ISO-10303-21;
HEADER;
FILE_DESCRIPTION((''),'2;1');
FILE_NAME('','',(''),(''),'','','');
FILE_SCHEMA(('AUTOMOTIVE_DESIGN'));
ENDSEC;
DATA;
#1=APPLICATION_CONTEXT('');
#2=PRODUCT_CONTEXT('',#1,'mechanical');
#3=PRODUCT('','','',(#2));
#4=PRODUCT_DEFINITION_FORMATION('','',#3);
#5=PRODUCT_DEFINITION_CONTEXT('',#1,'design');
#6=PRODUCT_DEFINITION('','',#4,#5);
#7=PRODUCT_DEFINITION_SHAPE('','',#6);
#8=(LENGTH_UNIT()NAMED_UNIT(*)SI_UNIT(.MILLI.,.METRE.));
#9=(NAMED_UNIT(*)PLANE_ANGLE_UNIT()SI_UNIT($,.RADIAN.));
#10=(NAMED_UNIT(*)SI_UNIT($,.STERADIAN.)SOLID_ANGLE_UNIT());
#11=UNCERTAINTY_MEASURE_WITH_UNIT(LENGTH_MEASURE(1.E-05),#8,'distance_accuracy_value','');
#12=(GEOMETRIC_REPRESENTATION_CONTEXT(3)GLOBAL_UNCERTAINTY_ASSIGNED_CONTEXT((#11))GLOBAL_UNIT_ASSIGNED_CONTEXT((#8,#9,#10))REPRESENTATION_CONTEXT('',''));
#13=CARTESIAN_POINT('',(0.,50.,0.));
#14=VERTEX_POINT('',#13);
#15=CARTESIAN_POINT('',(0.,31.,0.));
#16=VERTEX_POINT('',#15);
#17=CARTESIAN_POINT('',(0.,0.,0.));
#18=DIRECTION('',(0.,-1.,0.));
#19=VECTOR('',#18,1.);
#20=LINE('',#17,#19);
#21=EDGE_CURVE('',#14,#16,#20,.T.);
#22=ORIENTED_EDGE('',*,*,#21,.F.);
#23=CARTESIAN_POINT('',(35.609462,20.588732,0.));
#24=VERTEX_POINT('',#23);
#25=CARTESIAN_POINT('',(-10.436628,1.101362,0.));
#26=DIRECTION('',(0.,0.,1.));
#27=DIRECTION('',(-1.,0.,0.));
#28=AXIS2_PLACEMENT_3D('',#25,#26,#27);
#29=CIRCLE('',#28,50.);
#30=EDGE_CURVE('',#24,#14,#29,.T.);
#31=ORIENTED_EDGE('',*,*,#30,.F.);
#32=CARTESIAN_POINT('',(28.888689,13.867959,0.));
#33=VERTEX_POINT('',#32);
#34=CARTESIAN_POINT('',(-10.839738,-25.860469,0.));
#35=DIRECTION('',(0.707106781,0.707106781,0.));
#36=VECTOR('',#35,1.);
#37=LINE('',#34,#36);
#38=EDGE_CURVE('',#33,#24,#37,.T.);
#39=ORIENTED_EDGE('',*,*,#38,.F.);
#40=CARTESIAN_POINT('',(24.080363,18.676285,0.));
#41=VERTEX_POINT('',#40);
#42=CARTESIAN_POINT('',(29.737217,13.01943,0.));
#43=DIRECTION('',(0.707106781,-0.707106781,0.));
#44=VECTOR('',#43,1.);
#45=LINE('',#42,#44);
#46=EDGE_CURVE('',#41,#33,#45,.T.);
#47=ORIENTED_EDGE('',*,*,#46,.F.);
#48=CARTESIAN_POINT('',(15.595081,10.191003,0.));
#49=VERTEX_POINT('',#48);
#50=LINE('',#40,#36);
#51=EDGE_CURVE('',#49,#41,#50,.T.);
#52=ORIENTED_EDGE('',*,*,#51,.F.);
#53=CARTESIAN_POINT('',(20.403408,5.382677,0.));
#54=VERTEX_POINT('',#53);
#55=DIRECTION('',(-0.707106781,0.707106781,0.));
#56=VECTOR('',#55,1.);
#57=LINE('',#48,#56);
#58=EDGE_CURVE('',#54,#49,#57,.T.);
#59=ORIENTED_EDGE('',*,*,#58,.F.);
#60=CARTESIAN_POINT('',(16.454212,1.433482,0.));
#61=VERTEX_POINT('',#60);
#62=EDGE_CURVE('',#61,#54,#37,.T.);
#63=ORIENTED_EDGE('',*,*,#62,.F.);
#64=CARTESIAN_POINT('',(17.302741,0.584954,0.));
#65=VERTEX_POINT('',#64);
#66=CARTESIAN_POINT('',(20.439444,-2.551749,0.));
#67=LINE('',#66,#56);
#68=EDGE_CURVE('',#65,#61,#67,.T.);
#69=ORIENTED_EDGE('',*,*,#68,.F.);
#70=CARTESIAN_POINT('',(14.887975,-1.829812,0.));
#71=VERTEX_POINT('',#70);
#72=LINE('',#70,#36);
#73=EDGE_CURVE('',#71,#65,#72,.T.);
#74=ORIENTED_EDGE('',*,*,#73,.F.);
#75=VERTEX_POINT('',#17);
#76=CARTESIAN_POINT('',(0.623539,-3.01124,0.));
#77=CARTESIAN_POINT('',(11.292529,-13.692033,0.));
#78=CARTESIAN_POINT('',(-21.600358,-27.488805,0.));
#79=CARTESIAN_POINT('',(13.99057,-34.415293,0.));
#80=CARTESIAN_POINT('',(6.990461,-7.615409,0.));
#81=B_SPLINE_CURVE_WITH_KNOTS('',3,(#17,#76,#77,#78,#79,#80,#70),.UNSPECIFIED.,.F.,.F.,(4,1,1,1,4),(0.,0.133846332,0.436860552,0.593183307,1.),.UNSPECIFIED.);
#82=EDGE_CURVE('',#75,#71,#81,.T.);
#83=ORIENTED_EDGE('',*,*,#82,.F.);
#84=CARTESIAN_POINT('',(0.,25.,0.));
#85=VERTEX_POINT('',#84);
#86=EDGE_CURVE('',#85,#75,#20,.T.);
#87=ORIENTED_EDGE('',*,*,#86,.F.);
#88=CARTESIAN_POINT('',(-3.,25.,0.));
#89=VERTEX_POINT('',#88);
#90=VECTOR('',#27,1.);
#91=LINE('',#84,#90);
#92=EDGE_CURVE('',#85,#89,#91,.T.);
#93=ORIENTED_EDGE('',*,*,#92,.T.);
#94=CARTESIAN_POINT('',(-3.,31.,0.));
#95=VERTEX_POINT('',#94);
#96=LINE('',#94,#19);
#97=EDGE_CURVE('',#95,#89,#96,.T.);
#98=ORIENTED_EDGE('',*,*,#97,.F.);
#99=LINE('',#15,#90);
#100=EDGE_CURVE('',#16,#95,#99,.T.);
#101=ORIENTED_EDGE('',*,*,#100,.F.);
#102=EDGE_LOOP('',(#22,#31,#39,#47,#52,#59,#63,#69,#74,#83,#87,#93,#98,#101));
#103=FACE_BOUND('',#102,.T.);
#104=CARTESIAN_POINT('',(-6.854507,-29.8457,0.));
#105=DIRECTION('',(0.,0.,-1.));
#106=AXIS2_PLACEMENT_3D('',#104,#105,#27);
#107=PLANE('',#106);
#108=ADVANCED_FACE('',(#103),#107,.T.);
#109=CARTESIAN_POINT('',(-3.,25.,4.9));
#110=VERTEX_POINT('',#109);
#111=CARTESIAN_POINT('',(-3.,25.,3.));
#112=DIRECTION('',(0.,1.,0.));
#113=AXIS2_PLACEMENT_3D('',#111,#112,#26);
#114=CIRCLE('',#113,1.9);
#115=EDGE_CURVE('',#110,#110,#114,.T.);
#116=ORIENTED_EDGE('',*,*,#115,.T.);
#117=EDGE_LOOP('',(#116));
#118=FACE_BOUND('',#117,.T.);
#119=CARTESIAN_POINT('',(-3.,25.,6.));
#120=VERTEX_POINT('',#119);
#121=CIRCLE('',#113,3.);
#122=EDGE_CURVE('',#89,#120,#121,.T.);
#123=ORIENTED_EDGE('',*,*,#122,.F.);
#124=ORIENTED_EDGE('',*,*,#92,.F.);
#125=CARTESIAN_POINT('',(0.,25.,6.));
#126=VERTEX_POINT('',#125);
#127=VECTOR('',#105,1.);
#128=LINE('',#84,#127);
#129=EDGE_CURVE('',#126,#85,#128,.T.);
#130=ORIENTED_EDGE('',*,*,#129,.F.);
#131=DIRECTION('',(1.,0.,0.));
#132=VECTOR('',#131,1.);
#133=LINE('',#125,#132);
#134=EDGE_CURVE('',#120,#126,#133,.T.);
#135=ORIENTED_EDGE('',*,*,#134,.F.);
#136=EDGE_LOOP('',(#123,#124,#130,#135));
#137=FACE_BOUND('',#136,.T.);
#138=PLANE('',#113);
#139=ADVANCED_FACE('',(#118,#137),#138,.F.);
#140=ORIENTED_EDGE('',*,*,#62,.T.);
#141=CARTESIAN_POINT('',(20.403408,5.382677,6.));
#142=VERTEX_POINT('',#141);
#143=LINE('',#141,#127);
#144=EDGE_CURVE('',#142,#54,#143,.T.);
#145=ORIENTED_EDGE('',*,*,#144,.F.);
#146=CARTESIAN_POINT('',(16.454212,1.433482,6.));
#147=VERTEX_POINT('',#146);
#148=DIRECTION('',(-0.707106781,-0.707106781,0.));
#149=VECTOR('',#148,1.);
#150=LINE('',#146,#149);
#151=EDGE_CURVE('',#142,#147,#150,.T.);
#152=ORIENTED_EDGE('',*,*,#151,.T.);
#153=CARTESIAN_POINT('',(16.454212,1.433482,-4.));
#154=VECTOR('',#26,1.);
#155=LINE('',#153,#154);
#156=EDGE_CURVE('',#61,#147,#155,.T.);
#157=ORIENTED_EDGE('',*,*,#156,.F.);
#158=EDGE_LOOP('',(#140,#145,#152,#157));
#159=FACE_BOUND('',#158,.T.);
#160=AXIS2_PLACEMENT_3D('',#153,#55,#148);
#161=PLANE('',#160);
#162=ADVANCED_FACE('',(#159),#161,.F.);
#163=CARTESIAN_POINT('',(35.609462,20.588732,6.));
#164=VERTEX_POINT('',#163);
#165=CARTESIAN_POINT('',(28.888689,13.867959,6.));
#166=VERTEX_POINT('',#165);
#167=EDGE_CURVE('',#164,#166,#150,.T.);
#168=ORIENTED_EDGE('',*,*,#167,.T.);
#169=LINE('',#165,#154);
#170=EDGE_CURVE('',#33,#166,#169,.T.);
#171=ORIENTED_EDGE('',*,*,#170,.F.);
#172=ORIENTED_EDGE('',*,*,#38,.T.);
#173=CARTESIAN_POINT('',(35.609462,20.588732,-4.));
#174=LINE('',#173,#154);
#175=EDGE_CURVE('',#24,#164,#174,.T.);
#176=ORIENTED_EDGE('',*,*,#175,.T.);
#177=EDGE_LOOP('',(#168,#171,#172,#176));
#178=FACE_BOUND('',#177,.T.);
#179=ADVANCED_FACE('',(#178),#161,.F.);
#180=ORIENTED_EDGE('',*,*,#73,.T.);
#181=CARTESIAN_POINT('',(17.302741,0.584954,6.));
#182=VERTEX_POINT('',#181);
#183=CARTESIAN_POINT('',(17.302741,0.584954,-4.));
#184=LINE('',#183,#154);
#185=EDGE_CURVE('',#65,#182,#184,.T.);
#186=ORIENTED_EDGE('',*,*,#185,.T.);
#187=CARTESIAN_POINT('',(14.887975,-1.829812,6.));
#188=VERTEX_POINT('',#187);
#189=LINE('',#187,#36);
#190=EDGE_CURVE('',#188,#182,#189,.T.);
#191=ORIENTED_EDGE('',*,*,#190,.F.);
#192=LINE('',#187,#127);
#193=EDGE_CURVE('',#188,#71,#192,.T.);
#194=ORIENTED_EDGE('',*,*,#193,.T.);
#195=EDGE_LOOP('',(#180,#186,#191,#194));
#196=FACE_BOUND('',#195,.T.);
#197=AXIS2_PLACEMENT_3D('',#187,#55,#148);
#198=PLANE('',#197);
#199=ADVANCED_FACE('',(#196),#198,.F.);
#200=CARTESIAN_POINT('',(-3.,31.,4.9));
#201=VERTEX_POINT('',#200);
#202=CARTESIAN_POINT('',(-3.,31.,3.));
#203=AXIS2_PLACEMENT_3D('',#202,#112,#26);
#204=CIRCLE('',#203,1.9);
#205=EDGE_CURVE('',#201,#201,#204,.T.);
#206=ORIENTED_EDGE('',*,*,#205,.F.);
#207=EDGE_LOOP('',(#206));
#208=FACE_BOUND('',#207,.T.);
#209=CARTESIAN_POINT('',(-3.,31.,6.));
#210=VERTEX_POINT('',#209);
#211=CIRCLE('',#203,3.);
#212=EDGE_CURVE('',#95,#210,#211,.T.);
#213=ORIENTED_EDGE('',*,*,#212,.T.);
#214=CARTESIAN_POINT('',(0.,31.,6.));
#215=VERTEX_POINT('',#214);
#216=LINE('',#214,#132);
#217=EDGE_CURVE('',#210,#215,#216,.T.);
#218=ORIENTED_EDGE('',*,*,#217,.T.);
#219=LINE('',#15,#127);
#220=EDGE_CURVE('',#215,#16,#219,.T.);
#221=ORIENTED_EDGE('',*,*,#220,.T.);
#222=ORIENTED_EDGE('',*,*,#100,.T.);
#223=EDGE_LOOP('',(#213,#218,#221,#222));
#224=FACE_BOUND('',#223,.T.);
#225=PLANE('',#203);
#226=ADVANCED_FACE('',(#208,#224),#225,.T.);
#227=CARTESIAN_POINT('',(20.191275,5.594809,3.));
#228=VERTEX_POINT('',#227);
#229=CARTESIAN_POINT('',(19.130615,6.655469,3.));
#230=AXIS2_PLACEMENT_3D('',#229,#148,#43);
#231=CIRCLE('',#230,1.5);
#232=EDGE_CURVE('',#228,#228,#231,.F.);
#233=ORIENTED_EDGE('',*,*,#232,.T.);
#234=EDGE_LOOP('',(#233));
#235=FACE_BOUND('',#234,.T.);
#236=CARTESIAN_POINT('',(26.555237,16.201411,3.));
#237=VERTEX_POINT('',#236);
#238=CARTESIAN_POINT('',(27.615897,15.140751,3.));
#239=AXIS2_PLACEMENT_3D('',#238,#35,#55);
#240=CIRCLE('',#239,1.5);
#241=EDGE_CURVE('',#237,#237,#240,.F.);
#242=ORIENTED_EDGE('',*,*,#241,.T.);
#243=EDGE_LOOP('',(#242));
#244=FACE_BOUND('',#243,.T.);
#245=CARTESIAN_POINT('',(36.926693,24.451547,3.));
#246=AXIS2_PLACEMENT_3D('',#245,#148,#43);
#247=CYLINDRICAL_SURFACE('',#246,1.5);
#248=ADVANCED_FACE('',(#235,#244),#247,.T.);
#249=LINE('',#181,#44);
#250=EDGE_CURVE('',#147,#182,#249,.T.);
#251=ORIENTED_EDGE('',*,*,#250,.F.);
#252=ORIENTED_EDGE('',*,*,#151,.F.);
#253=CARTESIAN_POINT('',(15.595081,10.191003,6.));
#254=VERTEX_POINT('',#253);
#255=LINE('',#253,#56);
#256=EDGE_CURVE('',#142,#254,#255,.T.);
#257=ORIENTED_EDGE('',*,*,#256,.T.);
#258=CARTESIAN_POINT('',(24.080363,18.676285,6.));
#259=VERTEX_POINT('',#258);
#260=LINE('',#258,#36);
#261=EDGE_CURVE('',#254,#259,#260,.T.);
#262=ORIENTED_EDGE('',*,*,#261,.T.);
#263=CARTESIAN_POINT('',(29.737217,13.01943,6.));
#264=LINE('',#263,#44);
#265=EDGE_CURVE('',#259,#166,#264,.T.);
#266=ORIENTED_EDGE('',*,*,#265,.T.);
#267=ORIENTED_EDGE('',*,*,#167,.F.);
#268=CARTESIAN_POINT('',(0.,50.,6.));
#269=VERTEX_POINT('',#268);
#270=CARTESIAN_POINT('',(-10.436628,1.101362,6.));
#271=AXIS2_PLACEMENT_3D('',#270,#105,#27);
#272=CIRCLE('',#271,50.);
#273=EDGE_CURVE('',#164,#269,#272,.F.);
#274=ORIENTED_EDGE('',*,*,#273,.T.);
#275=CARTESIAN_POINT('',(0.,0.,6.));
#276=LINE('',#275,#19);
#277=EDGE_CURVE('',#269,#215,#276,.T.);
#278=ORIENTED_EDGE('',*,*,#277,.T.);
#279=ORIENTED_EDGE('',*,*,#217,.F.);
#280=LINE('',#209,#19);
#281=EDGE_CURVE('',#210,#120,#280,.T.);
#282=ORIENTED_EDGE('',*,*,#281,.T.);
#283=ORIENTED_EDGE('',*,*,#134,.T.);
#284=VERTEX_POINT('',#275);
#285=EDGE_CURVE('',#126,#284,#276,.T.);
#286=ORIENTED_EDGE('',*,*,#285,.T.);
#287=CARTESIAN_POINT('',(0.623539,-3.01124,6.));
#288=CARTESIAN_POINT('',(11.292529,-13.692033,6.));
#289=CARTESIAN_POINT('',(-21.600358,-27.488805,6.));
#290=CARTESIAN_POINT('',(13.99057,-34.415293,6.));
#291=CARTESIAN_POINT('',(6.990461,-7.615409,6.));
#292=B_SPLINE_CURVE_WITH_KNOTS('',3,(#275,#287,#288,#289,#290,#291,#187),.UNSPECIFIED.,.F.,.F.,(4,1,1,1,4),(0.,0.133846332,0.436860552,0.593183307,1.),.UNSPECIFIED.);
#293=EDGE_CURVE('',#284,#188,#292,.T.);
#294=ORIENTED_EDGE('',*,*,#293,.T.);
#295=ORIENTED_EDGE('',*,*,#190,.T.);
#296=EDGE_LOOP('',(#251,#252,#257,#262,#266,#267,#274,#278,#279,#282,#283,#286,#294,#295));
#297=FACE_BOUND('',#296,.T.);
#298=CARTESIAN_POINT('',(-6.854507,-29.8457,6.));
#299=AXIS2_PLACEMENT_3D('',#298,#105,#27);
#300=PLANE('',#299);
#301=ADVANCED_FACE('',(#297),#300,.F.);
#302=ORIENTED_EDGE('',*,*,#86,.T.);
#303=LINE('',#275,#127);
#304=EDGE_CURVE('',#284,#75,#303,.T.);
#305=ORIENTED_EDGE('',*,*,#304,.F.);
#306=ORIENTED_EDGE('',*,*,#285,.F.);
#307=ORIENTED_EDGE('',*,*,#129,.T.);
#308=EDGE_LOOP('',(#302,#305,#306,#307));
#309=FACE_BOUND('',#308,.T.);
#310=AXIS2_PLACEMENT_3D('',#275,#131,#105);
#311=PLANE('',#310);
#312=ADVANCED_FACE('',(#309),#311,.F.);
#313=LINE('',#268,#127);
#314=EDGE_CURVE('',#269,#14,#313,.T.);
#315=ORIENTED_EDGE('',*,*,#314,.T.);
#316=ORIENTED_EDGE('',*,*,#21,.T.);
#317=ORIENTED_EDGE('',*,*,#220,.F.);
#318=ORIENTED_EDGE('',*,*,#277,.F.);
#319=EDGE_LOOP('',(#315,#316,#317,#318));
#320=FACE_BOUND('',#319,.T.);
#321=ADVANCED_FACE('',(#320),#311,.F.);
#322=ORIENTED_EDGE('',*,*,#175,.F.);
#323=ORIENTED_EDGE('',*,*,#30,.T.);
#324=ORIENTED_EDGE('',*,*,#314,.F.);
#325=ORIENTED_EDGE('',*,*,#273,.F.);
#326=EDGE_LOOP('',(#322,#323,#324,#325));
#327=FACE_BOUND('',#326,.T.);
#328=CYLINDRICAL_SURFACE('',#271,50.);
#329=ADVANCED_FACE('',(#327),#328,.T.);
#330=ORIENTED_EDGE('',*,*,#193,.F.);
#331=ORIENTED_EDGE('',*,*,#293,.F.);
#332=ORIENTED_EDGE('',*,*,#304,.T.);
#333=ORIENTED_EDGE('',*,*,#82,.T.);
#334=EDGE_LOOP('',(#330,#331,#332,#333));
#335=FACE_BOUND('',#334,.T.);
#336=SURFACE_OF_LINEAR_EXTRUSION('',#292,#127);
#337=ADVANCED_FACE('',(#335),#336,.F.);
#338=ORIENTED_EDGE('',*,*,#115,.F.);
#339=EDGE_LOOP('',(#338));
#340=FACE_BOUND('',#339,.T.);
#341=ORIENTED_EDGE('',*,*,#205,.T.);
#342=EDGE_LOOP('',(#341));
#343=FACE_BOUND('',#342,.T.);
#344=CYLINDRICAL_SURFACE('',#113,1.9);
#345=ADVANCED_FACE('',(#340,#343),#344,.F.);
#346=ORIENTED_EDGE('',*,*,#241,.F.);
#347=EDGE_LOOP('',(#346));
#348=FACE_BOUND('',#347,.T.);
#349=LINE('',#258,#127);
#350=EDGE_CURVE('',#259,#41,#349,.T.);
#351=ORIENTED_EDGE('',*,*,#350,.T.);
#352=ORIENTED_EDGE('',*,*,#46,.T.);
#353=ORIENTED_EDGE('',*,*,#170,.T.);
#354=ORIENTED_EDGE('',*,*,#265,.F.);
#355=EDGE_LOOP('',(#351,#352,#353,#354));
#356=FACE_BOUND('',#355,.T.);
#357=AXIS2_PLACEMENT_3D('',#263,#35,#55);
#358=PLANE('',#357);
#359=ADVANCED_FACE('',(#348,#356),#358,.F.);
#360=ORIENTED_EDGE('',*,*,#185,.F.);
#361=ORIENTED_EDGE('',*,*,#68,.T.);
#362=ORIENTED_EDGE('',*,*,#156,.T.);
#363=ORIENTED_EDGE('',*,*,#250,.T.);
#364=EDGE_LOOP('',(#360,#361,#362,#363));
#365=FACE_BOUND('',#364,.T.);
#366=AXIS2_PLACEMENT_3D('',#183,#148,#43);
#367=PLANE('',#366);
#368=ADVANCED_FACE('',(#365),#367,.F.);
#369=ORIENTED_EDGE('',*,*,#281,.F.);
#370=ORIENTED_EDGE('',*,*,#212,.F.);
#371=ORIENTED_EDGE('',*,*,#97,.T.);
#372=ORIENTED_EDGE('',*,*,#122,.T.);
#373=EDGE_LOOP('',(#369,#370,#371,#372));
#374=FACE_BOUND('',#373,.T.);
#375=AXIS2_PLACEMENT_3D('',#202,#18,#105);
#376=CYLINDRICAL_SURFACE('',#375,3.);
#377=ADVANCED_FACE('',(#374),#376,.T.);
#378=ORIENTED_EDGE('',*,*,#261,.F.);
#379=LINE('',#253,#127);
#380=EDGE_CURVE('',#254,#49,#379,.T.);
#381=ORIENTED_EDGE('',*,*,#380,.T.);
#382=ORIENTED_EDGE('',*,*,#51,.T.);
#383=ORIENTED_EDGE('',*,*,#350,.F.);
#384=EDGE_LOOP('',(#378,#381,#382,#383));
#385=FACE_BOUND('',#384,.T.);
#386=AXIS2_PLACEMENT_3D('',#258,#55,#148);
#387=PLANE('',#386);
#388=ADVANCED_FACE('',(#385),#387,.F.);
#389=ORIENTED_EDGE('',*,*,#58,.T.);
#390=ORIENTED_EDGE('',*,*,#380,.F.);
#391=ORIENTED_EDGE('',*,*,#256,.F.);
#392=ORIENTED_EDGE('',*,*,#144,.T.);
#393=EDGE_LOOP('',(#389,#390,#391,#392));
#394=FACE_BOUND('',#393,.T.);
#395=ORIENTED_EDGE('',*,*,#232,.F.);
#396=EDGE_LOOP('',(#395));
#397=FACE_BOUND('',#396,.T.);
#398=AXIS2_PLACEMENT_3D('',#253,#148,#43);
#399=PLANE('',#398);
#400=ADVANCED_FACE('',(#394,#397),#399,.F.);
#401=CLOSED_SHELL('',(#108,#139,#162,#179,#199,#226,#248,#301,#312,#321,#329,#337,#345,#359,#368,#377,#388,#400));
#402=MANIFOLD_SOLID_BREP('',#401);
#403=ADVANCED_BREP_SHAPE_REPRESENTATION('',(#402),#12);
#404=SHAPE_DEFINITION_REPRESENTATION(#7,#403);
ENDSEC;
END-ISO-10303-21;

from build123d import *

# Parameters (mm, degrees)
SALIENTE_EXTRUIR1_DEPTH = 6
SALIENTE_EXTRUIR2_START = 25
SALIENTE_EXTRUIR2_DEPTH = 6
CROQUIS3_R              = 1.9
CORTAR_EXTRUIR1_DEPTH   = 6
CORTAR_EXTRUIR3_DEPTH   = 6
SALIENTE_EXTRUIR3_REACH = 51.703
CROQUIS5_R              = 1.5
CORTAR_EXTRUIR4_DEPTH   = 10


with BuildPart() as part:
    # Croquis1 → Saliente-Extruir1 (new body)
    with BuildSketch(Plane.XY):
        with BuildLine():
            Line((0, 0), (0, 50))
            ThreePointArc((0, 50), (21.903219132, 39.234474721), (36.101178055, 19.383391493))
            Line((36.101178055, 19.383391493), (14.887974619, -1.829811942))
            add(Edge.make_bspline(
                [(0, 0), (0.623539066, -3.01124013), (11.292529233, -13.692033377), (-21.600358358, -27.488804853), (13.990569908, -34.415293016), (6.990460956, -7.615408786), (14.887974619, -1.829811942)],
                knots=[0, 0, 0, 0, 0.133846332, 0.436860552, 0.593183307, 1, 1, 1, 1], degree=3))
        make_face()
    extrude(amount=SALIENTE_EXTRUIR1_DEPTH)

    # Croquis2 → Saliente-Extruir2 (add)
    with BuildSketch(Plane(origin=(0, 0, 0), x_dir=(1, 0, 0), z_dir=(0, 1, 0)).offset(SALIENTE_EXTRUIR2_START)):
        with BuildLine():
            Line((0, 0), (-3, 0))
            ThreePointArc((-3, 0), (-6, -3), (-3, -6))
            Line((-3, -6), (0, -6))
            Line((0, -6), (0, 0))
        make_face()
    extrude(amount=SALIENTE_EXTRUIR2_DEPTH)

    # Croquis3 → Cortar-Extruir1 (cut)
    with BuildSketch(Plane(origin=(0, 31, 0), x_dir=(1, 0, 0), z_dir=(0, 1, 0))):
        with Locations(Location((-3, -3, 0), (0, 0, 270))):
            Circle(CROQUIS3_R)
    extrude(amount=-CORTAR_EXTRUIR1_DEPTH, mode=Mode.SUBTRACT)

    # Croquis4 → Cortar-Extruir3 (cut)
    with BuildSketch(Plane(origin=(0, 0, 0), x_dir=(-1, 0, 0), z_dir=(0, 0, -1))):
        Polygon((-29.737217024, 13.019430463), (-24.080362774, 18.676284712), (-15.5950814, 10.191003338), (-21.25193565, 4.534149088), align=None)
    extrude(amount=-CORTAR_EXTRUIR3_DEPTH, mode=Mode.SUBTRACT)

    # Croquis5 → Saliente-Extruir3 (add, up to next)
    with BuildSketch(Plane(origin=(12.893042369, 12.893042369, 0), x_dir=(0, 0, -1), z_dir=(0.7071067811865479, 0.7071067811865472, 0)), mode=Mode.PRIVATE) as saliente_extruir3_sk1:
        with Locations(Location((-3, -8.821260244, 0), (0, 0, 270))):
            Circle(CROQUIS5_R)
    saliente_extruir3_tool1 = extrude(saliente_extruir3_sk1.sketch, amount=SALIENTE_EXTRUIR3_REACH, mode=Mode.PRIVATE) - part.part
    add(saliente_extruir3_tool1.solids().sort_by_distance((19.130615, 6.655469, 3))[0])

    # Croquis6 → Cortar-Extruir4 (cut)
    with BuildSketch(Plane.XY.offset(6)):
        Polygon((36.101178055, 19.383391493), (17.302740572, 0.58495401), (16.454212434, 1.433482148), (35.609462094, 20.588731807), align=None)
    extrude(amount=-CORTAR_EXTRUIR4_DEPTH, mode=Mode.SUBTRACT)


with BuildPart() as cortar_extruir4_kept_piece:
    # of the separate pieces the step leaves, the one the design keeps (cortar_extruir4_pieces_kept)
    add(part.part.solids().sort_by_distance((0, 31, 0))[0])


solid = cortar_extruir4_kept_piece.part
